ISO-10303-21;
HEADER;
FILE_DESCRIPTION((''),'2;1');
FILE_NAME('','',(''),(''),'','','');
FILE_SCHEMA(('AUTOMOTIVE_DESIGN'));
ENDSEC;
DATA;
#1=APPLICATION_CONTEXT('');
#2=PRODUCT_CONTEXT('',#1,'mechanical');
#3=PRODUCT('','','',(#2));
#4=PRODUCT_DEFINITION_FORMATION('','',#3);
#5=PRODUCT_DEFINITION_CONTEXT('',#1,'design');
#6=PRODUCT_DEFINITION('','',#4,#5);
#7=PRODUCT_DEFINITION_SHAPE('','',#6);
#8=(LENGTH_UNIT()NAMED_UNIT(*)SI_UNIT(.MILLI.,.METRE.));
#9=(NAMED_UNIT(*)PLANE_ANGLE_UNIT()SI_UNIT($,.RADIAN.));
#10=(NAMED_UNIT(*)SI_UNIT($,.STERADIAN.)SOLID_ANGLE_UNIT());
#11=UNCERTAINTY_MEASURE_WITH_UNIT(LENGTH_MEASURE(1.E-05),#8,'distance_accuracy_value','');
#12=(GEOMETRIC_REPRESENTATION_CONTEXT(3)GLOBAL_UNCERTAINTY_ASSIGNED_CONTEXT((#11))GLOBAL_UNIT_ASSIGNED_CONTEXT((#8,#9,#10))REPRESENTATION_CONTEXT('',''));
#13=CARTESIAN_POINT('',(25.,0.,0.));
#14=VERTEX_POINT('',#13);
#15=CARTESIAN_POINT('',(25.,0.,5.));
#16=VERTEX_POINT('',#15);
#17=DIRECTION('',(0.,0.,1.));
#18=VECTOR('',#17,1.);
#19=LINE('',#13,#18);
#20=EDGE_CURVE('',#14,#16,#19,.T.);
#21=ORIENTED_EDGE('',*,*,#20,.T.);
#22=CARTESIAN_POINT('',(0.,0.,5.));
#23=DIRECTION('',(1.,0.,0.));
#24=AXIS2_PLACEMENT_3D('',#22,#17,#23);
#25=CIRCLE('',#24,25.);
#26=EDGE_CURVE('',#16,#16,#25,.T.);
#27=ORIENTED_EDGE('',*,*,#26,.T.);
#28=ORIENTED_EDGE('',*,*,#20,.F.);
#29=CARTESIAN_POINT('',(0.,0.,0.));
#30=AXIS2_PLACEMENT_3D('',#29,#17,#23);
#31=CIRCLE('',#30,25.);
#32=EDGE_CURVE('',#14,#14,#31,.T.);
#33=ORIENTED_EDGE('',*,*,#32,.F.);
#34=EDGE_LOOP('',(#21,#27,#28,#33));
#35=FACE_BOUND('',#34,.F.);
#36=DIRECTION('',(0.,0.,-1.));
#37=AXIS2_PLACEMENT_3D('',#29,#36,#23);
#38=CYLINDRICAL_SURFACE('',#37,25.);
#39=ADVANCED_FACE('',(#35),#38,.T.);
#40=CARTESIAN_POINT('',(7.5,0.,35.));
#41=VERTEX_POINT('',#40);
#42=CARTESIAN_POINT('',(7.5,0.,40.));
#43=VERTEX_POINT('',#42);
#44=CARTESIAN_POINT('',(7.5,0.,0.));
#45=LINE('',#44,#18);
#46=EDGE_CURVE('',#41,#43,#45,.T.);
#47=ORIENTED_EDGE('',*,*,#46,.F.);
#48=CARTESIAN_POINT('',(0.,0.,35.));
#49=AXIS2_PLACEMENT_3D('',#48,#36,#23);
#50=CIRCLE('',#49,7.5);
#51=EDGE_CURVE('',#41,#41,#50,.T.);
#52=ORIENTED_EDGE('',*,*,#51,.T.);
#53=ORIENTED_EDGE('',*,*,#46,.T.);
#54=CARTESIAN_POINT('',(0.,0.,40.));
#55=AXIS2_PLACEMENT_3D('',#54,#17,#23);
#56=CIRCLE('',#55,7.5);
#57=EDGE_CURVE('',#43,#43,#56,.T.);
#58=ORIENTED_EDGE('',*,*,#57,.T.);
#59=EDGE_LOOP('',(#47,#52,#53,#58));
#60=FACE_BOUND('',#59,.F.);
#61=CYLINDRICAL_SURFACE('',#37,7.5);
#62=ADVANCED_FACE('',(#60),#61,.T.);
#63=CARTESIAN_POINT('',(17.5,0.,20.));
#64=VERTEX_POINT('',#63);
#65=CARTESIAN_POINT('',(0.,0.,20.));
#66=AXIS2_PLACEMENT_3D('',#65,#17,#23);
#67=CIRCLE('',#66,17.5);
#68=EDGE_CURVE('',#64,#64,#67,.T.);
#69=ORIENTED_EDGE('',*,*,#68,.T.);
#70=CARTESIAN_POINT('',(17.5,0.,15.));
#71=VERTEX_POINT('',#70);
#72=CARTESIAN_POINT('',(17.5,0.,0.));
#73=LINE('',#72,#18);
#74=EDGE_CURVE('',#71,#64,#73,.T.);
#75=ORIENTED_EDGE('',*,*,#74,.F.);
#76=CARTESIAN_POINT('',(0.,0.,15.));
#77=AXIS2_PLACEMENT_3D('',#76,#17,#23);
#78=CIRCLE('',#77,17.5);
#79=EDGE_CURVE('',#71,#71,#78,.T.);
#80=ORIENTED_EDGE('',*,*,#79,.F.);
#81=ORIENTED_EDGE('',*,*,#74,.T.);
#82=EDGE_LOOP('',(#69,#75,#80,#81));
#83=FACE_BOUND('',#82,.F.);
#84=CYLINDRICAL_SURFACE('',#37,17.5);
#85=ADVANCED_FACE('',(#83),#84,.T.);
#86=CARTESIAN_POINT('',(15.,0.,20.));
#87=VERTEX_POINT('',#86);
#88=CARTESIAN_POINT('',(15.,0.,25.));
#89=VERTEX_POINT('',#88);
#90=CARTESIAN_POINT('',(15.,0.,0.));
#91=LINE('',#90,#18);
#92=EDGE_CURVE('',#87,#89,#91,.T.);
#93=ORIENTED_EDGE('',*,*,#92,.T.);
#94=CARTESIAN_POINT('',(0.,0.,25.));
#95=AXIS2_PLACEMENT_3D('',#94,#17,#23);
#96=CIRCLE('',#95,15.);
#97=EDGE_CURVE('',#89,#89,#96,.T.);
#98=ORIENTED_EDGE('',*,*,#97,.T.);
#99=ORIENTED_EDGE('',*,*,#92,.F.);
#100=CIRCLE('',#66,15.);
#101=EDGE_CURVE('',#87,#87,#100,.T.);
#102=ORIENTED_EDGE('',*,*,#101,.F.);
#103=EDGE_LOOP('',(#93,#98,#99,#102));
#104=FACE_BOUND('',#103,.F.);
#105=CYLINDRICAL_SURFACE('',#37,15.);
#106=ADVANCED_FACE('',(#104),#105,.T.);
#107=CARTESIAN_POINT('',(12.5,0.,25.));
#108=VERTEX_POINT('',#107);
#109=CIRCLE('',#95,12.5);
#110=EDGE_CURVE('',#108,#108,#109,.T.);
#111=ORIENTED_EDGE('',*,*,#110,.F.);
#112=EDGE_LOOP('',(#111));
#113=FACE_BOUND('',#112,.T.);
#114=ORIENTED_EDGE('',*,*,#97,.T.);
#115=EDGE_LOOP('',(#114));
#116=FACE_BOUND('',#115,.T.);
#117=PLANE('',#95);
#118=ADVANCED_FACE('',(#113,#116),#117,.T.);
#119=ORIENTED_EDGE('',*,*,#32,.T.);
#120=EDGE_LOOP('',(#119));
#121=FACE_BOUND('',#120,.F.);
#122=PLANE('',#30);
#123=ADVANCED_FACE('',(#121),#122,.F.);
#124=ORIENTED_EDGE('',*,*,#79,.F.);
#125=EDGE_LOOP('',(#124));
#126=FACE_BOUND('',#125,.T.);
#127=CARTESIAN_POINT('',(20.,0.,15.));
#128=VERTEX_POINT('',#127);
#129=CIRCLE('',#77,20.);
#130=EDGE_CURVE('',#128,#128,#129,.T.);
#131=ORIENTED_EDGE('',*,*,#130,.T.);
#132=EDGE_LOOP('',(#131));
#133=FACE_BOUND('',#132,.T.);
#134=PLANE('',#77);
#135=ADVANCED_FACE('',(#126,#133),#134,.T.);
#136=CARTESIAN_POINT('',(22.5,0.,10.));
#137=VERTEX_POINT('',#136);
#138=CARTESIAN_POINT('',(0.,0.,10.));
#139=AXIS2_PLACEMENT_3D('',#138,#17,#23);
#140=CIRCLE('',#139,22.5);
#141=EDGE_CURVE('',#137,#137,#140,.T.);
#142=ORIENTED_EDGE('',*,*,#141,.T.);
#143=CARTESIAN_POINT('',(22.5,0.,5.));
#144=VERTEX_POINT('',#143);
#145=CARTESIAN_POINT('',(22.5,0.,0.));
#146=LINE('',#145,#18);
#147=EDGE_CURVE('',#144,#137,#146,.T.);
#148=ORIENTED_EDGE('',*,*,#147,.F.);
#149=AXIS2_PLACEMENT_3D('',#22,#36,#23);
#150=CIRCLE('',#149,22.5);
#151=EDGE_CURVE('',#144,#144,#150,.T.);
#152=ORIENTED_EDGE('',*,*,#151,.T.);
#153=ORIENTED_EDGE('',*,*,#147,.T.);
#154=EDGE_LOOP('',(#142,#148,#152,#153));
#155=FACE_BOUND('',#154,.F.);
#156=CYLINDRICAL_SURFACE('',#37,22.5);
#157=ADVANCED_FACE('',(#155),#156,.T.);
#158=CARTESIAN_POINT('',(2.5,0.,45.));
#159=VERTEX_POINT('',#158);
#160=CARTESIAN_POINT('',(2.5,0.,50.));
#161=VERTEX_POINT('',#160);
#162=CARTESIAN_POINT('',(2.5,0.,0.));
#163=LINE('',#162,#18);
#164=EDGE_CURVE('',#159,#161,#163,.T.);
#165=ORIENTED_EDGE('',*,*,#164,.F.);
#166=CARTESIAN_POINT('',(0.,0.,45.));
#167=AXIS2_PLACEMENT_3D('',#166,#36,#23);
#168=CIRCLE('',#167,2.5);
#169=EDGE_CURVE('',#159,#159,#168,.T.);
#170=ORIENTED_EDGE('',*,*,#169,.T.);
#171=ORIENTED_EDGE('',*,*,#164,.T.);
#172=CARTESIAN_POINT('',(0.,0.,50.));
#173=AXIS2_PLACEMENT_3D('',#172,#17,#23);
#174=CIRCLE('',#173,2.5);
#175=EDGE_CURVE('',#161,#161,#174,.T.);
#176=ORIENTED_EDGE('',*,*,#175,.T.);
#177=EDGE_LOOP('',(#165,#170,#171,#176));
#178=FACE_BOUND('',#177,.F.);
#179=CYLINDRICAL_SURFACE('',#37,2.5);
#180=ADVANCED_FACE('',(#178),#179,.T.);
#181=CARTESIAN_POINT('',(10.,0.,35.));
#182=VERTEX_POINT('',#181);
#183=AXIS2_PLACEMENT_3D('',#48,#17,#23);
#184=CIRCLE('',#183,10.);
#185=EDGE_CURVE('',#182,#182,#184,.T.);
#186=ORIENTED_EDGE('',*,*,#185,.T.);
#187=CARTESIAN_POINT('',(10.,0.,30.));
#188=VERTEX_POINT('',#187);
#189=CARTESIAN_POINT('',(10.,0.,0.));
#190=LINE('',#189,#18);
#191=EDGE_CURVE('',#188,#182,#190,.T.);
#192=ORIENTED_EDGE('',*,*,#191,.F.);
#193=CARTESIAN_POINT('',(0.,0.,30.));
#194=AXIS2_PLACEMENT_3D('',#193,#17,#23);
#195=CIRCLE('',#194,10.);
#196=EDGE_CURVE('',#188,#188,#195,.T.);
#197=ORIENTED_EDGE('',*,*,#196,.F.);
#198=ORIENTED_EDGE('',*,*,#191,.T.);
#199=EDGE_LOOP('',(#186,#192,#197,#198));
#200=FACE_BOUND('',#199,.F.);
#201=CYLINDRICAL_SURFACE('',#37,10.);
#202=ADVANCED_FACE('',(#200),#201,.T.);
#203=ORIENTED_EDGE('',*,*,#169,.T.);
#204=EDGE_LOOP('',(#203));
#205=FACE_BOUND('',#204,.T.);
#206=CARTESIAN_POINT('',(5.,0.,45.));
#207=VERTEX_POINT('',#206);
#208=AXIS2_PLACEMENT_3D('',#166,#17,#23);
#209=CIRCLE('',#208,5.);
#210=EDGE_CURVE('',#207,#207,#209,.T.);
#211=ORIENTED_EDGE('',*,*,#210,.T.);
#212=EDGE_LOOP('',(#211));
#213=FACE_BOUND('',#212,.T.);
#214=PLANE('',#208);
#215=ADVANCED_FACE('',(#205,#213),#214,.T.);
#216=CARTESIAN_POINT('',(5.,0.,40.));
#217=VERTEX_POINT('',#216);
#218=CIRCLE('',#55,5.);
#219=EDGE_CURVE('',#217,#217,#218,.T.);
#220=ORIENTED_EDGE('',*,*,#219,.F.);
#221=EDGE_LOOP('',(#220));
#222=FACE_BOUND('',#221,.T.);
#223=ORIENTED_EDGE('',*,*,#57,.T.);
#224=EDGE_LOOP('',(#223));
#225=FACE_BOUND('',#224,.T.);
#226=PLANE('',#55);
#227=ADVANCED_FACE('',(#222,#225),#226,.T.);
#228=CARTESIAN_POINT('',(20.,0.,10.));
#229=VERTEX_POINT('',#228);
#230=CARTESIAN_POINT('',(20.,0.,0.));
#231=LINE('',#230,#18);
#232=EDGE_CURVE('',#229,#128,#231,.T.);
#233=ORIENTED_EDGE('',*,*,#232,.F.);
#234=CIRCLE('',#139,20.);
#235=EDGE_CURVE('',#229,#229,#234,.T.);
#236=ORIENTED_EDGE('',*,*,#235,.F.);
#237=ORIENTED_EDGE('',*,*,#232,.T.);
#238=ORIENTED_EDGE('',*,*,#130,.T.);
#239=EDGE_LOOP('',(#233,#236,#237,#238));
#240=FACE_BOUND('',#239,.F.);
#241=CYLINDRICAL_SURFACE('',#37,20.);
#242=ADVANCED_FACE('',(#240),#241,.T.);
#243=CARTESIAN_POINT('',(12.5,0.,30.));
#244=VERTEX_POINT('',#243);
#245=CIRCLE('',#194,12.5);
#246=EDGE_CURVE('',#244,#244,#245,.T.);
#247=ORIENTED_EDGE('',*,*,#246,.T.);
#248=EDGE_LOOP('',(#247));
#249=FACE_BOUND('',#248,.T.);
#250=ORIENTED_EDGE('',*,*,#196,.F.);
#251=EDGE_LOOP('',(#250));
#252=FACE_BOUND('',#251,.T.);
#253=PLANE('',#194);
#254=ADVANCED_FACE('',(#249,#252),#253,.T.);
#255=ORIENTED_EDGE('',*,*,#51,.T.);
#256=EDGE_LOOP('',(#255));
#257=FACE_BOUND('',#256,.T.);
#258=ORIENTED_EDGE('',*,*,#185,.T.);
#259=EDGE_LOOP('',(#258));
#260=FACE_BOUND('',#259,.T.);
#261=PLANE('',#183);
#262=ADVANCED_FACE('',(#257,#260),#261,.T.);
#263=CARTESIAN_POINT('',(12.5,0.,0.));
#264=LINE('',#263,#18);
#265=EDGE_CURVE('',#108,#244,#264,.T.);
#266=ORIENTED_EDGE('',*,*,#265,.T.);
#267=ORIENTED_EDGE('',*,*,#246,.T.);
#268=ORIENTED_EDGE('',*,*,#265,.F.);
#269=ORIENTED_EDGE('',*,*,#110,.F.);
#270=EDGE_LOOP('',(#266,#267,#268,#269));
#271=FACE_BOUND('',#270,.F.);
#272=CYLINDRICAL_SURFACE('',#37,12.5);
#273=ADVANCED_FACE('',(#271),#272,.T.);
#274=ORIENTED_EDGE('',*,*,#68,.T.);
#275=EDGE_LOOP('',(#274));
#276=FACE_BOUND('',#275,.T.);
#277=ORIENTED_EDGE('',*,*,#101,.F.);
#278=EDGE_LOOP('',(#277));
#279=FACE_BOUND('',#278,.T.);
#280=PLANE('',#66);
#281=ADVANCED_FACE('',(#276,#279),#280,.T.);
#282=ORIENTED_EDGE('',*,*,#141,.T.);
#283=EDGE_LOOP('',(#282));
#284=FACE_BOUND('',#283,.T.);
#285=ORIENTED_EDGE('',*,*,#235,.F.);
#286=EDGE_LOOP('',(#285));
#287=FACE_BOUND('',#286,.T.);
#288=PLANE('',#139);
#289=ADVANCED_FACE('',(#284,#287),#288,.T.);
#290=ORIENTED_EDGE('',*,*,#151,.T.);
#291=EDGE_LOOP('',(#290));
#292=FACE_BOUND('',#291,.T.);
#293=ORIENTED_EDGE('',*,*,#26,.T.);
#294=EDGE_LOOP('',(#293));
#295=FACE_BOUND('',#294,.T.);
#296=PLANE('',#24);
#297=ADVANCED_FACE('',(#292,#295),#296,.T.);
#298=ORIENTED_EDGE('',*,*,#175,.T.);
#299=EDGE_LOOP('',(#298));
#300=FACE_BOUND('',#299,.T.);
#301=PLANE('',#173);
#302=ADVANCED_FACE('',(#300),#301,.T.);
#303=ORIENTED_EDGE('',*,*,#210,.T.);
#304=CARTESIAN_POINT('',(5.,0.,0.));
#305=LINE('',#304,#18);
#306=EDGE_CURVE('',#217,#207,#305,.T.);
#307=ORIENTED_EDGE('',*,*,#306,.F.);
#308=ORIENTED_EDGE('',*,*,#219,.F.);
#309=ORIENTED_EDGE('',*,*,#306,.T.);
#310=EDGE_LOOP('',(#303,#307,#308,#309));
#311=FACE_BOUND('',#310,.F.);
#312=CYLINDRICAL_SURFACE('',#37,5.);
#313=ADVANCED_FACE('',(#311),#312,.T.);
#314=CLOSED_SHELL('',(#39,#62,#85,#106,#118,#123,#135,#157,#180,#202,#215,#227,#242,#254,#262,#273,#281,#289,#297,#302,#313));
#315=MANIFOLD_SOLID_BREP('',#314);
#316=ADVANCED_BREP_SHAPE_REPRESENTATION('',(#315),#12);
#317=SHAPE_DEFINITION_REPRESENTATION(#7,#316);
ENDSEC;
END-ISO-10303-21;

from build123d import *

# Parameters (mm, degrees)
F0_R      = 17.5
F0_R_2    = 15
F0_R_3    = 12.5
F0_R_4    = 10
F0_R_5    = 7.5
F0_R_6    = 5
F0_R_7    = 20
F0_R_8    = 25
F0_R_9    = 22.5
F0_R_10   = 2.5
F1_DEPTH  = 5
F2_DEPTH  = 10
F3_DEPTH  = 15
F4_DEPTH  = 20
F5_DEPTH  = 25
F6_DEPTH  = 30
F7_DEPTH  = 35
F8_DEPTH  = 40
F9_DEPTH  = 45
F10_DEPTH = 50


with BuildPart() as f1:
    # F0 (on Top) → F1 (new body)
    with BuildSketch(Plane.XY):
        Circle(F0_R)
        Circle(F0_R_2, mode=Mode.SUBTRACT)
        Circle(F0_R_3)
        Circle(F0_R_4, mode=Mode.SUBTRACT)
        Circle(F0_R_5)
        Circle(F0_R_6, mode=Mode.SUBTRACT)
        Circle(F0_R_4)
        Circle(F0_R_5, mode=Mode.SUBTRACT)
        Circle(F0_R_7)
        Circle(F0_R, mode=Mode.SUBTRACT)
        Circle(F0_R_2)
        Circle(F0_R_3, mode=Mode.SUBTRACT)
        Circle(F0_R_8)
        Circle(F0_R_9, mode=Mode.SUBTRACT)
        Circle(F0_R_10)
        Circle(F0_R_9)
        Circle(F0_R_7, mode=Mode.SUBTRACT)
        Circle(F0_R_6)
        Circle(F0_R_10, mode=Mode.SUBTRACT)
    extrude(amount=F1_DEPTH)

    # F0 (on Top) → F2 (join)
    with BuildSketch(Plane.XY):
        Circle(F0_R)
        Circle(F0_R_2, mode=Mode.SUBTRACT)
        Circle(F0_R_3)
        Circle(F0_R_4, mode=Mode.SUBTRACT)
        Circle(F0_R_5)
        Circle(F0_R_6, mode=Mode.SUBTRACT)
        Circle(F0_R_4)
        Circle(F0_R_5, mode=Mode.SUBTRACT)
        Circle(F0_R_7)
        Circle(F0_R, mode=Mode.SUBTRACT)
        Circle(F0_R_2)
        Circle(F0_R_3, mode=Mode.SUBTRACT)
        Circle(F0_R_10)
        Circle(F0_R_9)
        Circle(F0_R_7, mode=Mode.SUBTRACT)
        Circle(F0_R_6)
        Circle(F0_R_10, mode=Mode.SUBTRACT)
    extrude(amount=F2_DEPTH)

    # F0 (on Top) → F3 (join)
    with BuildSketch(Plane.XY):
        Circle(F0_R)
        Circle(F0_R_2, mode=Mode.SUBTRACT)
        Circle(F0_R_3)
        Circle(F0_R_4, mode=Mode.SUBTRACT)
        Circle(F0_R_5)
        Circle(F0_R_6, mode=Mode.SUBTRACT)
        Circle(F0_R_4)
        Circle(F0_R_5, mode=Mode.SUBTRACT)
        Circle(F0_R_7)
        Circle(F0_R, mode=Mode.SUBTRACT)
        Circle(F0_R_2)
        Circle(F0_R_3, mode=Mode.SUBTRACT)
        Circle(F0_R_10)
        Circle(F0_R_6)
        Circle(F0_R_10, mode=Mode.SUBTRACT)
    extrude(amount=F3_DEPTH)

    # F0 (on Top) → F4 (join)
    with BuildSketch(Plane.XY):
        Circle(F0_R_10)
        Circle(F0_R_6)
        Circle(F0_R_10, mode=Mode.SUBTRACT)
        Circle(F0_R_5)
        Circle(F0_R_6, mode=Mode.SUBTRACT)
        Circle(F0_R_4)
        Circle(F0_R_5, mode=Mode.SUBTRACT)
        Circle(F0_R_3)
        Circle(F0_R_4, mode=Mode.SUBTRACT)
        Circle(F0_R_2)
        Circle(F0_R_3, mode=Mode.SUBTRACT)
        Circle(F0_R)
        Circle(F0_R_2, mode=Mode.SUBTRACT)
    extrude(amount=F4_DEPTH)

    # F0 (on Top) → F5 (join)
    with BuildSketch(Plane.XY):
        Circle(F0_R_10)
        Circle(F0_R_6)
        Circle(F0_R_10, mode=Mode.SUBTRACT)
        Circle(F0_R_5)
        Circle(F0_R_6, mode=Mode.SUBTRACT)
        Circle(F0_R_4)
        Circle(F0_R_5, mode=Mode.SUBTRACT)
        Circle(F0_R_3)
        Circle(F0_R_4, mode=Mode.SUBTRACT)
        Circle(F0_R_2)
        Circle(F0_R_3, mode=Mode.SUBTRACT)
    extrude(amount=F5_DEPTH)

    # F0 (on Top) → F6 (join)
    with BuildSketch(Plane.XY):
        Circle(F0_R_10)
        Circle(F0_R_6)
        Circle(F0_R_10, mode=Mode.SUBTRACT)
        Circle(F0_R_5)
        Circle(F0_R_6, mode=Mode.SUBTRACT)
        Circle(F0_R_4)
        Circle(F0_R_5, mode=Mode.SUBTRACT)
        Circle(F0_R_3)
        Circle(F0_R_4, mode=Mode.SUBTRACT)
    extrude(amount=F6_DEPTH)

    # F0 (on Top) → F7 (join)
    with BuildSketch(Plane.XY):
        Circle(F0_R_4)
        Circle(F0_R_5, mode=Mode.SUBTRACT)
        Circle(F0_R_5)
        Circle(F0_R_6, mode=Mode.SUBTRACT)
        Circle(F0_R_6)
        Circle(F0_R_10, mode=Mode.SUBTRACT)
        Circle(F0_R_10)
    extrude(amount=F7_DEPTH)

    # F0 (on Top) → F8 (join)
    with BuildSketch(Plane.XY):
        Circle(F0_R_10)
        Circle(F0_R_6)
        Circle(F0_R_10, mode=Mode.SUBTRACT)
        Circle(F0_R_5)
        Circle(F0_R_6, mode=Mode.SUBTRACT)
    extrude(amount=F8_DEPTH)

    # F0 (on Top) → F9 (join)
    with BuildSketch(Plane.XY):
        Circle(F0_R_6)
        Circle(F0_R_10, mode=Mode.SUBTRACT)
        Circle(F0_R_10)
    extrude(amount=F9_DEPTH)

    # F0 (on Top) → F10 (join)
    with BuildSketch(Plane.XY):
        Circle(F0_R_10)
    extrude(amount=F10_DEPTH)


solid = f1.part
